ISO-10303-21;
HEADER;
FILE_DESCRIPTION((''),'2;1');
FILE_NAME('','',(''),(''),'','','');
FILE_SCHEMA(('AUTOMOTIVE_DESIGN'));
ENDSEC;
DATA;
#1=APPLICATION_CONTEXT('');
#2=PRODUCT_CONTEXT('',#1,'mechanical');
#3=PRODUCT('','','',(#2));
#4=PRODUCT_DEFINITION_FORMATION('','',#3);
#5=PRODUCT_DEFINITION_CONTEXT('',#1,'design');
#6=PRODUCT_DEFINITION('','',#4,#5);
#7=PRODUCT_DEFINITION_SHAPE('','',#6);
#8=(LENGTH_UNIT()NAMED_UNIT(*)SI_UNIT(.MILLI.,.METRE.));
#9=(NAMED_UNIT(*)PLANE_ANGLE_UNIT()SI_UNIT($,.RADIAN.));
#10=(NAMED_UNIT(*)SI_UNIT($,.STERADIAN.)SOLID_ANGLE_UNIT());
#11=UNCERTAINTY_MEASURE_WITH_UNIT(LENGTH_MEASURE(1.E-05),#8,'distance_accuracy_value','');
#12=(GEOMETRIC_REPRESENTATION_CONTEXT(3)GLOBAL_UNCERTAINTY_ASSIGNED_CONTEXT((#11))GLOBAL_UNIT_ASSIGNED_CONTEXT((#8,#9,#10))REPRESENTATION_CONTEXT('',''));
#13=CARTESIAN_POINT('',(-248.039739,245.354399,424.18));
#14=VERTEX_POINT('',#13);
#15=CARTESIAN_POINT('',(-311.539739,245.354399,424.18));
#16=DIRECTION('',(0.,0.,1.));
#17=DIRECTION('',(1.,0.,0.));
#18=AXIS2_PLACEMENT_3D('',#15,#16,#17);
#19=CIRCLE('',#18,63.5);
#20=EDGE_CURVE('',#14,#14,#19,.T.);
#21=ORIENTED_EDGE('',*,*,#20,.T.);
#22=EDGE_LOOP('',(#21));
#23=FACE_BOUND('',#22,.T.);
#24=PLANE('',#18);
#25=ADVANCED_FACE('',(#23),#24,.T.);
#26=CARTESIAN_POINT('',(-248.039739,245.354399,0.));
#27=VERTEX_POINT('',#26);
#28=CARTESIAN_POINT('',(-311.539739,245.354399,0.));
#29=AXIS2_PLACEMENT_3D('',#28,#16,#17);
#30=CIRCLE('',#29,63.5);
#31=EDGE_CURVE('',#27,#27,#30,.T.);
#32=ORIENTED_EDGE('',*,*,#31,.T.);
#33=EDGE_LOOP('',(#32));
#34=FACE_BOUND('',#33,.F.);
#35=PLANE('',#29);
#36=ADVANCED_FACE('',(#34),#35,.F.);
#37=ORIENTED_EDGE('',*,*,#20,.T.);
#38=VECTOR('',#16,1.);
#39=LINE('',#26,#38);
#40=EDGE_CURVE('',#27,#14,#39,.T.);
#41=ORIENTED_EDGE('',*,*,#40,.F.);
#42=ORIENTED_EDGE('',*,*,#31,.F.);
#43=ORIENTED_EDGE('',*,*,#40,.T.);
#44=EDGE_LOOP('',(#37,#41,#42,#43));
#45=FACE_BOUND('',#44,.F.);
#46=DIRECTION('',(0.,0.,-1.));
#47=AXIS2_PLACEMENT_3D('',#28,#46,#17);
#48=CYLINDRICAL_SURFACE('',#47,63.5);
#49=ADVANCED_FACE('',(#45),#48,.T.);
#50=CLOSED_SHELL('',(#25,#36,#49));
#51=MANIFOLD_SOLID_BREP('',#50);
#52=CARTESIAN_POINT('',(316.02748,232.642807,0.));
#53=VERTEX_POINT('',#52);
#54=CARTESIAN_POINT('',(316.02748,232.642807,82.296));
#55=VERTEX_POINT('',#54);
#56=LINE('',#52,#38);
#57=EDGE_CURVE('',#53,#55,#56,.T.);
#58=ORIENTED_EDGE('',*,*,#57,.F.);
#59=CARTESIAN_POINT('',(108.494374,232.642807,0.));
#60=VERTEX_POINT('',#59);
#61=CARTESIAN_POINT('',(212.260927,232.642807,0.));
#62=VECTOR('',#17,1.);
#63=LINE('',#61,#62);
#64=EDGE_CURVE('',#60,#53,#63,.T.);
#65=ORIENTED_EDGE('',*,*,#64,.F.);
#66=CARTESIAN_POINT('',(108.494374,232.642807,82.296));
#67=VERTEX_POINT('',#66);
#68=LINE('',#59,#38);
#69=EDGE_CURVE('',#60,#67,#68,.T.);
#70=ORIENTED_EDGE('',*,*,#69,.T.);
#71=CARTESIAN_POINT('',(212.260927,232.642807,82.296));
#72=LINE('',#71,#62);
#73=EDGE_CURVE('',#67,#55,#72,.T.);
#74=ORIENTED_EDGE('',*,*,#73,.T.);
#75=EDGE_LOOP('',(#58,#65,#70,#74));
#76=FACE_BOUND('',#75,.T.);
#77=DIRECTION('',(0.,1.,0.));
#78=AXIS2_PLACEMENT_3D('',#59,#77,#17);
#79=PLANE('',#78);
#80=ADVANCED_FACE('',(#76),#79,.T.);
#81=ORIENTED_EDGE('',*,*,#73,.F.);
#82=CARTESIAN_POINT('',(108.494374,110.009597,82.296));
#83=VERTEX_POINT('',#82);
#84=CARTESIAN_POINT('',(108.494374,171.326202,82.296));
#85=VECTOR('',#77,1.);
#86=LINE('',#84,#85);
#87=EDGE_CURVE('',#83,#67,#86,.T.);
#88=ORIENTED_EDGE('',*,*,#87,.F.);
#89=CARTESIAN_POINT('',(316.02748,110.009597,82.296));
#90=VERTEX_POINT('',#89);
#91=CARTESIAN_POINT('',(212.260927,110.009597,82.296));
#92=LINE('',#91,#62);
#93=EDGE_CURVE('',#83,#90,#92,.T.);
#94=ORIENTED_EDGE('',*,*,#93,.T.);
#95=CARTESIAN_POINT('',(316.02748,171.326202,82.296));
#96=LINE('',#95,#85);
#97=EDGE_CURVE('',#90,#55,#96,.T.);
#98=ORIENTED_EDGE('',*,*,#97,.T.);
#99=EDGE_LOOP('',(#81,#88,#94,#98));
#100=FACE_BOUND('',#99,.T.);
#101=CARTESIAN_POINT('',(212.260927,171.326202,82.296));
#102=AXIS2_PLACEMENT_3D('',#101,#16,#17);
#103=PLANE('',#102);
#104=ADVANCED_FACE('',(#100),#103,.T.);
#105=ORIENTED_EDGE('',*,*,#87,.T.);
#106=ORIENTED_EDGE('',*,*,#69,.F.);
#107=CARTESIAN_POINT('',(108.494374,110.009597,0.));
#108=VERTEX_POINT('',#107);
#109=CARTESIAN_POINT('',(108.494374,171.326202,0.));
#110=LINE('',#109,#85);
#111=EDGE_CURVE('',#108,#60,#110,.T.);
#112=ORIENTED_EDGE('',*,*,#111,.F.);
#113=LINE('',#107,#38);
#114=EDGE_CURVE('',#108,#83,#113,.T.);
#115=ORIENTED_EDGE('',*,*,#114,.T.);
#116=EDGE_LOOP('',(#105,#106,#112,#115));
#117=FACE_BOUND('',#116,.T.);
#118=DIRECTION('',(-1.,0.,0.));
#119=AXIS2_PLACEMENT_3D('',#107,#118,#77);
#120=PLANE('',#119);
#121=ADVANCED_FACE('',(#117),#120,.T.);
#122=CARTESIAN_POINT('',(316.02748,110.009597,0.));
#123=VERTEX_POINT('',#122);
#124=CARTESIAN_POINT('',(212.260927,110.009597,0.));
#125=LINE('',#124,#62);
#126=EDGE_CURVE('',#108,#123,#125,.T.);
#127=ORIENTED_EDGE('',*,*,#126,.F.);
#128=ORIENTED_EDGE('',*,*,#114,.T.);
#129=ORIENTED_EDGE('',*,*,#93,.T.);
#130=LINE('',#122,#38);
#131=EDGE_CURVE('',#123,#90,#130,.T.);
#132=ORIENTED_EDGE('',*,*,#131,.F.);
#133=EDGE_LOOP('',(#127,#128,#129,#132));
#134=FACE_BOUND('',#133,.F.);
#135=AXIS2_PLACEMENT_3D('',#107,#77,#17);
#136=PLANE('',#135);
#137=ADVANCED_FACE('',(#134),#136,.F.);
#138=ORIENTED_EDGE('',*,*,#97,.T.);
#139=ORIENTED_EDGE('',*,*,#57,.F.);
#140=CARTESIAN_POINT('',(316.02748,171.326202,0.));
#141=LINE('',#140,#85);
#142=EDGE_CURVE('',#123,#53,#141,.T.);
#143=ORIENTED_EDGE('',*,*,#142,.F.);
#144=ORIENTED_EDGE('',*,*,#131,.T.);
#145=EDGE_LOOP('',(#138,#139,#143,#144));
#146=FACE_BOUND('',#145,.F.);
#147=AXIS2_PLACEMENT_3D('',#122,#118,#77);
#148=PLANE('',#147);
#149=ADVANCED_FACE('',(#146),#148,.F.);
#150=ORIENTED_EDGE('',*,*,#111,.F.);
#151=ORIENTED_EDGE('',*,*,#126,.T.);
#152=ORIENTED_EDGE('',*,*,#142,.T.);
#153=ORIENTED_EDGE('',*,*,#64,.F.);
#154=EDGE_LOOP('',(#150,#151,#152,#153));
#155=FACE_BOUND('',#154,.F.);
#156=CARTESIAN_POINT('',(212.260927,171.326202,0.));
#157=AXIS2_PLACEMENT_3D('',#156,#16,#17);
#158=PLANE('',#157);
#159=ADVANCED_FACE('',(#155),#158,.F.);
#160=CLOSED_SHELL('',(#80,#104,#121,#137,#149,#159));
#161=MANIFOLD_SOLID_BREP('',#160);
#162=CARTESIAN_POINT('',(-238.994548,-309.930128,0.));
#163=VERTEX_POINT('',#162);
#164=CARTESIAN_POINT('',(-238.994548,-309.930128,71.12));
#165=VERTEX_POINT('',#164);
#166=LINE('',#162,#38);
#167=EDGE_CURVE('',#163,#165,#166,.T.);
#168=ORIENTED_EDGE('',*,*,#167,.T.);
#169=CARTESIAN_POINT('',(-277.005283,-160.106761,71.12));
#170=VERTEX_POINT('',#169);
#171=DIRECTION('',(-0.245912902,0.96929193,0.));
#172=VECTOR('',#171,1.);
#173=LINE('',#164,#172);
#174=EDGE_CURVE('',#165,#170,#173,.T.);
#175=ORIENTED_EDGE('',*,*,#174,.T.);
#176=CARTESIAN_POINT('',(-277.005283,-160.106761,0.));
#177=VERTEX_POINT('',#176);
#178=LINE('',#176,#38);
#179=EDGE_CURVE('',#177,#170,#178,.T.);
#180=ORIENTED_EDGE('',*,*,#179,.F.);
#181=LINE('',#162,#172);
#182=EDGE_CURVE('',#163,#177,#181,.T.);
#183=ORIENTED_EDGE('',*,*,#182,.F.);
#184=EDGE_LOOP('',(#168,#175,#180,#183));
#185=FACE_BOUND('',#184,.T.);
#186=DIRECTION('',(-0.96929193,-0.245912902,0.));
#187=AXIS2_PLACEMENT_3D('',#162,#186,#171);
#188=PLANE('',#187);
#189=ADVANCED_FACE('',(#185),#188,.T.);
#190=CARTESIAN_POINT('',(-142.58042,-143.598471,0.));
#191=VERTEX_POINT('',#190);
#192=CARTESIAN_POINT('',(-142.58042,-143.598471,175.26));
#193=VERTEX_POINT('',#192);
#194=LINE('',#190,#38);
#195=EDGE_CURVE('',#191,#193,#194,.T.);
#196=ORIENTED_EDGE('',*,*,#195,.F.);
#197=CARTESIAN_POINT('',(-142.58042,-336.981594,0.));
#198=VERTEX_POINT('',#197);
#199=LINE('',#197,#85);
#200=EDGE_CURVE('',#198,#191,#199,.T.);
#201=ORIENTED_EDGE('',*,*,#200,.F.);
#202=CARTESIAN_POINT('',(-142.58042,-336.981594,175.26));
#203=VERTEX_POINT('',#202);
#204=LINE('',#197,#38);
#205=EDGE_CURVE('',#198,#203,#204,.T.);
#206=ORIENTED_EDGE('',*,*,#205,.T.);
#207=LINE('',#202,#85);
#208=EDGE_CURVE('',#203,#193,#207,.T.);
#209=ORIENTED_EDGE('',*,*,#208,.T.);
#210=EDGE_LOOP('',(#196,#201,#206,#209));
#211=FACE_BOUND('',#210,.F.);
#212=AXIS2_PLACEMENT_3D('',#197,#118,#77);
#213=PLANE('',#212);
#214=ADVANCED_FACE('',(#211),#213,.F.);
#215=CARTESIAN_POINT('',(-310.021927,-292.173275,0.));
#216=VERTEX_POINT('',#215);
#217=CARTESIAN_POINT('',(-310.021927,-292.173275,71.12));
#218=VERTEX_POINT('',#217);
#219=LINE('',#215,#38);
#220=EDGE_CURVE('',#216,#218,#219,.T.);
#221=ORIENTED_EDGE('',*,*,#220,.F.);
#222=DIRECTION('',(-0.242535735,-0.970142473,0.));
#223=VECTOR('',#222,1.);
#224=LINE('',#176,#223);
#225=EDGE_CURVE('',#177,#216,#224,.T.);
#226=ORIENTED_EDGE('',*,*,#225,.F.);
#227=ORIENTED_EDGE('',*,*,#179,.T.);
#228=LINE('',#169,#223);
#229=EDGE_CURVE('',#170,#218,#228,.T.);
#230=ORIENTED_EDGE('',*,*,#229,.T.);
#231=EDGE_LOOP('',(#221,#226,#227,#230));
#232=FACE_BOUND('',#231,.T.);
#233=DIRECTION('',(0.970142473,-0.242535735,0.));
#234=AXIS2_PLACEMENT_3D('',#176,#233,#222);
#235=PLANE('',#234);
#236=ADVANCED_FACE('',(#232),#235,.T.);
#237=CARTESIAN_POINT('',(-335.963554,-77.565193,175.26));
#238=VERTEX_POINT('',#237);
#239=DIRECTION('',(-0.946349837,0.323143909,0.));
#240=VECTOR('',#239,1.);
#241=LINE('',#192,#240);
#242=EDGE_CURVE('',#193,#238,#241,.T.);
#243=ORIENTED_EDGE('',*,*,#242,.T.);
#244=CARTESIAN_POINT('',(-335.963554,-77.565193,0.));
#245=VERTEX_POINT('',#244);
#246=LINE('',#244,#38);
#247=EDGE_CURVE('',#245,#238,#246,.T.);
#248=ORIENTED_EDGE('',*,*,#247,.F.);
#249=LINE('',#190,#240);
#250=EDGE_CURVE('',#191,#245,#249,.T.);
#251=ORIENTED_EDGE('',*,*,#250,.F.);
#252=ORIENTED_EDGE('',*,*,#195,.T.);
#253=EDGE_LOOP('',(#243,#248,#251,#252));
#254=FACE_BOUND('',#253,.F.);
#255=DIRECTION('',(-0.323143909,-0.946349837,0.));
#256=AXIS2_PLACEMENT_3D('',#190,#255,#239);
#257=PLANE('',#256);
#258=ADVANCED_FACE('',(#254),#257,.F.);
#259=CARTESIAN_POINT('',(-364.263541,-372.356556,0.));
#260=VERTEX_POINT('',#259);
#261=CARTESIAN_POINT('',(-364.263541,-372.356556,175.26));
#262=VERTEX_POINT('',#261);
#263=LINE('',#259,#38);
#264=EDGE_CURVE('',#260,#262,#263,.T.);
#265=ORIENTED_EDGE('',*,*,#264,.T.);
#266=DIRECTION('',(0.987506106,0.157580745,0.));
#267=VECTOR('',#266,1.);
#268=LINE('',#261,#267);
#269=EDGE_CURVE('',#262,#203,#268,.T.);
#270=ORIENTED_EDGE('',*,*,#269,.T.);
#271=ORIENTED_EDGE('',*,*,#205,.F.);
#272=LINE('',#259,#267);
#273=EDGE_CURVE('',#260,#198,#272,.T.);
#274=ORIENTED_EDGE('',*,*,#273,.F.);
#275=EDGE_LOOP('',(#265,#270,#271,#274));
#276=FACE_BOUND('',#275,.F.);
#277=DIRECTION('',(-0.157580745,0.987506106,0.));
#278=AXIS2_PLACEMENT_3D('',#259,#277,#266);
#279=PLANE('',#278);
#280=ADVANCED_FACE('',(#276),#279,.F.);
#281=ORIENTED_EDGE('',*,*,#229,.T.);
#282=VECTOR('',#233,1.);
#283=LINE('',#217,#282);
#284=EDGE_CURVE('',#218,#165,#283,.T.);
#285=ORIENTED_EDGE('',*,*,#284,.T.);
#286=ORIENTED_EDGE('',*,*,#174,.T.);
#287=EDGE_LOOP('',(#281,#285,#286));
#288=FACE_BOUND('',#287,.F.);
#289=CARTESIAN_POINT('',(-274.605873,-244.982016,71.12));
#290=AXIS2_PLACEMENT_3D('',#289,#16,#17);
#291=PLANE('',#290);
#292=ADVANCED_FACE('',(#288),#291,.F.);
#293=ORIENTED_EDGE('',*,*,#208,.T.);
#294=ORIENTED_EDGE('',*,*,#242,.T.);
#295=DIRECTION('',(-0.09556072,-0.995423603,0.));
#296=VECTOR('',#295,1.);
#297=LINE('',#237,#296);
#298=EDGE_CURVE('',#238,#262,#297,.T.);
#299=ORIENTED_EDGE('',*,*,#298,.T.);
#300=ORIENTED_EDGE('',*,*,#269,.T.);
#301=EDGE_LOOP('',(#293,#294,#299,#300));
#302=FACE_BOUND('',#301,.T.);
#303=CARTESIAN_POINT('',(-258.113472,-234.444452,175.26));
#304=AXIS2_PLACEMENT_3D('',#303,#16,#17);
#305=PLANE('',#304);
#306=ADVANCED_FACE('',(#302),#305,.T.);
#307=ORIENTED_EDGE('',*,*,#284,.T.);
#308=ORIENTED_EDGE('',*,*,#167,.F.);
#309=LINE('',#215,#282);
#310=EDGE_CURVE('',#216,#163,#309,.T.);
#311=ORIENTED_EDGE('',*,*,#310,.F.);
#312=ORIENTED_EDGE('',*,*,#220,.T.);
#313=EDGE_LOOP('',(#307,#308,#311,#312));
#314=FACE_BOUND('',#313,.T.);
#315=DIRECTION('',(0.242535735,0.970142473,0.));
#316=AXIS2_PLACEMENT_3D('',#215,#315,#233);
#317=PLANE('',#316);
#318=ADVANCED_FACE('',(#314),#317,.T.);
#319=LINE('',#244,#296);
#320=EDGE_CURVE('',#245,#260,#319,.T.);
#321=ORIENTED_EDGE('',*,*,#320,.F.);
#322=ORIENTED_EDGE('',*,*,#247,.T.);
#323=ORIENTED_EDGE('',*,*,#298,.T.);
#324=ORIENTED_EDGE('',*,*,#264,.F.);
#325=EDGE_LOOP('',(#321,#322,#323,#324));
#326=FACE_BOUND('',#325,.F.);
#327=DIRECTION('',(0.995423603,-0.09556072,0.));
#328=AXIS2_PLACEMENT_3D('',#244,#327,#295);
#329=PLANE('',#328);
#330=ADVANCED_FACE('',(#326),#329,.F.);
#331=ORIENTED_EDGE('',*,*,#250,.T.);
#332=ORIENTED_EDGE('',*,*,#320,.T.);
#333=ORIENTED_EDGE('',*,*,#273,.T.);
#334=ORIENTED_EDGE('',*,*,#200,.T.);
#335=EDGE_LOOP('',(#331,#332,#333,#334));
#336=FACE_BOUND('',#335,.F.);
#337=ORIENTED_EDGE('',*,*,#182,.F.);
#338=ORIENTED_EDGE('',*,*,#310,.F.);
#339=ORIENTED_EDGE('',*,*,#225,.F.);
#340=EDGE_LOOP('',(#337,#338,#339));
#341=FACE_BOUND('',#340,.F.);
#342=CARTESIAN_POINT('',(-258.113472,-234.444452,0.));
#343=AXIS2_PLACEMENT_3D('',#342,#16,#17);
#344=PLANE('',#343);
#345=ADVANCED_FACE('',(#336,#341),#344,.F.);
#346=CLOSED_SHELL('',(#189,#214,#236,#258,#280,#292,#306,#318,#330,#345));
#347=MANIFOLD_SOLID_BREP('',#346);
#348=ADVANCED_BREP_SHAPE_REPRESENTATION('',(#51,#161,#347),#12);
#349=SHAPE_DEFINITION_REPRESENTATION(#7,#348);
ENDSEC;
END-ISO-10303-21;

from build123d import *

# Parameters (mm, degrees)
F0_W     = 207.5331061672
F0_H     = 122.6332091976
F1_DEPTH = 82.296
F2_DEPTH = 175.26
F0_R     = 63.5
F3_DEPTH = 424.18
F4_DEPTH = 71.12


with BuildPart() as f1:
    # F0 (on Top) → F1 (new body)
    with BuildSketch(Plane.XY):
        with Locations((212.2609269613, 171.3262020208)):
            Rectangle(F0_W, F0_H)
    extrude(amount=F1_DEPTH)


with BuildPart() as f2:
    # F0 (on Top) → F2 (new body)
    with BuildSketch(Plane.XY):
        Polygon((-142.5804198811, -143.5984707565), (-335.9635537997, -77.565192872), (-364.2635406156, -372.3565564559), (-142.5804198811, -336.9815940954), align=None)
        Polygon((-310.0219274309, -292.1732745837), (-277.0052831988, -160.1067611335), (-238.994547933, -309.9301279931), align=None, mode=Mode.SUBTRACT)
        Polygon((-238.994547933, -309.9301279931), (-277.0052831988, -160.1067611335), (-310.0219274309, -292.1732745837), align=None)
    extrude(amount=F2_DEPTH)

    # F0 (on Top) → F4 (cut)
    with BuildSketch(Plane.XY):
        Polygon((-238.994547933, -309.9301279931), (-277.0052831988, -160.1067611335), (-310.0219274309, -292.1732745837), align=None)
    extrude(amount=F4_DEPTH, mode=Mode.SUBTRACT)


with BuildPart() as f3:
    # F0 (on Top) → F3 (new body)
    with BuildSketch(Plane.XY):
        with Locations((-311.5397393703, 245.354399085)):
            Circle(F0_R)
    extrude(amount=F3_DEPTH)


solid = Compound([f1.part, f2.part, f3.part])
